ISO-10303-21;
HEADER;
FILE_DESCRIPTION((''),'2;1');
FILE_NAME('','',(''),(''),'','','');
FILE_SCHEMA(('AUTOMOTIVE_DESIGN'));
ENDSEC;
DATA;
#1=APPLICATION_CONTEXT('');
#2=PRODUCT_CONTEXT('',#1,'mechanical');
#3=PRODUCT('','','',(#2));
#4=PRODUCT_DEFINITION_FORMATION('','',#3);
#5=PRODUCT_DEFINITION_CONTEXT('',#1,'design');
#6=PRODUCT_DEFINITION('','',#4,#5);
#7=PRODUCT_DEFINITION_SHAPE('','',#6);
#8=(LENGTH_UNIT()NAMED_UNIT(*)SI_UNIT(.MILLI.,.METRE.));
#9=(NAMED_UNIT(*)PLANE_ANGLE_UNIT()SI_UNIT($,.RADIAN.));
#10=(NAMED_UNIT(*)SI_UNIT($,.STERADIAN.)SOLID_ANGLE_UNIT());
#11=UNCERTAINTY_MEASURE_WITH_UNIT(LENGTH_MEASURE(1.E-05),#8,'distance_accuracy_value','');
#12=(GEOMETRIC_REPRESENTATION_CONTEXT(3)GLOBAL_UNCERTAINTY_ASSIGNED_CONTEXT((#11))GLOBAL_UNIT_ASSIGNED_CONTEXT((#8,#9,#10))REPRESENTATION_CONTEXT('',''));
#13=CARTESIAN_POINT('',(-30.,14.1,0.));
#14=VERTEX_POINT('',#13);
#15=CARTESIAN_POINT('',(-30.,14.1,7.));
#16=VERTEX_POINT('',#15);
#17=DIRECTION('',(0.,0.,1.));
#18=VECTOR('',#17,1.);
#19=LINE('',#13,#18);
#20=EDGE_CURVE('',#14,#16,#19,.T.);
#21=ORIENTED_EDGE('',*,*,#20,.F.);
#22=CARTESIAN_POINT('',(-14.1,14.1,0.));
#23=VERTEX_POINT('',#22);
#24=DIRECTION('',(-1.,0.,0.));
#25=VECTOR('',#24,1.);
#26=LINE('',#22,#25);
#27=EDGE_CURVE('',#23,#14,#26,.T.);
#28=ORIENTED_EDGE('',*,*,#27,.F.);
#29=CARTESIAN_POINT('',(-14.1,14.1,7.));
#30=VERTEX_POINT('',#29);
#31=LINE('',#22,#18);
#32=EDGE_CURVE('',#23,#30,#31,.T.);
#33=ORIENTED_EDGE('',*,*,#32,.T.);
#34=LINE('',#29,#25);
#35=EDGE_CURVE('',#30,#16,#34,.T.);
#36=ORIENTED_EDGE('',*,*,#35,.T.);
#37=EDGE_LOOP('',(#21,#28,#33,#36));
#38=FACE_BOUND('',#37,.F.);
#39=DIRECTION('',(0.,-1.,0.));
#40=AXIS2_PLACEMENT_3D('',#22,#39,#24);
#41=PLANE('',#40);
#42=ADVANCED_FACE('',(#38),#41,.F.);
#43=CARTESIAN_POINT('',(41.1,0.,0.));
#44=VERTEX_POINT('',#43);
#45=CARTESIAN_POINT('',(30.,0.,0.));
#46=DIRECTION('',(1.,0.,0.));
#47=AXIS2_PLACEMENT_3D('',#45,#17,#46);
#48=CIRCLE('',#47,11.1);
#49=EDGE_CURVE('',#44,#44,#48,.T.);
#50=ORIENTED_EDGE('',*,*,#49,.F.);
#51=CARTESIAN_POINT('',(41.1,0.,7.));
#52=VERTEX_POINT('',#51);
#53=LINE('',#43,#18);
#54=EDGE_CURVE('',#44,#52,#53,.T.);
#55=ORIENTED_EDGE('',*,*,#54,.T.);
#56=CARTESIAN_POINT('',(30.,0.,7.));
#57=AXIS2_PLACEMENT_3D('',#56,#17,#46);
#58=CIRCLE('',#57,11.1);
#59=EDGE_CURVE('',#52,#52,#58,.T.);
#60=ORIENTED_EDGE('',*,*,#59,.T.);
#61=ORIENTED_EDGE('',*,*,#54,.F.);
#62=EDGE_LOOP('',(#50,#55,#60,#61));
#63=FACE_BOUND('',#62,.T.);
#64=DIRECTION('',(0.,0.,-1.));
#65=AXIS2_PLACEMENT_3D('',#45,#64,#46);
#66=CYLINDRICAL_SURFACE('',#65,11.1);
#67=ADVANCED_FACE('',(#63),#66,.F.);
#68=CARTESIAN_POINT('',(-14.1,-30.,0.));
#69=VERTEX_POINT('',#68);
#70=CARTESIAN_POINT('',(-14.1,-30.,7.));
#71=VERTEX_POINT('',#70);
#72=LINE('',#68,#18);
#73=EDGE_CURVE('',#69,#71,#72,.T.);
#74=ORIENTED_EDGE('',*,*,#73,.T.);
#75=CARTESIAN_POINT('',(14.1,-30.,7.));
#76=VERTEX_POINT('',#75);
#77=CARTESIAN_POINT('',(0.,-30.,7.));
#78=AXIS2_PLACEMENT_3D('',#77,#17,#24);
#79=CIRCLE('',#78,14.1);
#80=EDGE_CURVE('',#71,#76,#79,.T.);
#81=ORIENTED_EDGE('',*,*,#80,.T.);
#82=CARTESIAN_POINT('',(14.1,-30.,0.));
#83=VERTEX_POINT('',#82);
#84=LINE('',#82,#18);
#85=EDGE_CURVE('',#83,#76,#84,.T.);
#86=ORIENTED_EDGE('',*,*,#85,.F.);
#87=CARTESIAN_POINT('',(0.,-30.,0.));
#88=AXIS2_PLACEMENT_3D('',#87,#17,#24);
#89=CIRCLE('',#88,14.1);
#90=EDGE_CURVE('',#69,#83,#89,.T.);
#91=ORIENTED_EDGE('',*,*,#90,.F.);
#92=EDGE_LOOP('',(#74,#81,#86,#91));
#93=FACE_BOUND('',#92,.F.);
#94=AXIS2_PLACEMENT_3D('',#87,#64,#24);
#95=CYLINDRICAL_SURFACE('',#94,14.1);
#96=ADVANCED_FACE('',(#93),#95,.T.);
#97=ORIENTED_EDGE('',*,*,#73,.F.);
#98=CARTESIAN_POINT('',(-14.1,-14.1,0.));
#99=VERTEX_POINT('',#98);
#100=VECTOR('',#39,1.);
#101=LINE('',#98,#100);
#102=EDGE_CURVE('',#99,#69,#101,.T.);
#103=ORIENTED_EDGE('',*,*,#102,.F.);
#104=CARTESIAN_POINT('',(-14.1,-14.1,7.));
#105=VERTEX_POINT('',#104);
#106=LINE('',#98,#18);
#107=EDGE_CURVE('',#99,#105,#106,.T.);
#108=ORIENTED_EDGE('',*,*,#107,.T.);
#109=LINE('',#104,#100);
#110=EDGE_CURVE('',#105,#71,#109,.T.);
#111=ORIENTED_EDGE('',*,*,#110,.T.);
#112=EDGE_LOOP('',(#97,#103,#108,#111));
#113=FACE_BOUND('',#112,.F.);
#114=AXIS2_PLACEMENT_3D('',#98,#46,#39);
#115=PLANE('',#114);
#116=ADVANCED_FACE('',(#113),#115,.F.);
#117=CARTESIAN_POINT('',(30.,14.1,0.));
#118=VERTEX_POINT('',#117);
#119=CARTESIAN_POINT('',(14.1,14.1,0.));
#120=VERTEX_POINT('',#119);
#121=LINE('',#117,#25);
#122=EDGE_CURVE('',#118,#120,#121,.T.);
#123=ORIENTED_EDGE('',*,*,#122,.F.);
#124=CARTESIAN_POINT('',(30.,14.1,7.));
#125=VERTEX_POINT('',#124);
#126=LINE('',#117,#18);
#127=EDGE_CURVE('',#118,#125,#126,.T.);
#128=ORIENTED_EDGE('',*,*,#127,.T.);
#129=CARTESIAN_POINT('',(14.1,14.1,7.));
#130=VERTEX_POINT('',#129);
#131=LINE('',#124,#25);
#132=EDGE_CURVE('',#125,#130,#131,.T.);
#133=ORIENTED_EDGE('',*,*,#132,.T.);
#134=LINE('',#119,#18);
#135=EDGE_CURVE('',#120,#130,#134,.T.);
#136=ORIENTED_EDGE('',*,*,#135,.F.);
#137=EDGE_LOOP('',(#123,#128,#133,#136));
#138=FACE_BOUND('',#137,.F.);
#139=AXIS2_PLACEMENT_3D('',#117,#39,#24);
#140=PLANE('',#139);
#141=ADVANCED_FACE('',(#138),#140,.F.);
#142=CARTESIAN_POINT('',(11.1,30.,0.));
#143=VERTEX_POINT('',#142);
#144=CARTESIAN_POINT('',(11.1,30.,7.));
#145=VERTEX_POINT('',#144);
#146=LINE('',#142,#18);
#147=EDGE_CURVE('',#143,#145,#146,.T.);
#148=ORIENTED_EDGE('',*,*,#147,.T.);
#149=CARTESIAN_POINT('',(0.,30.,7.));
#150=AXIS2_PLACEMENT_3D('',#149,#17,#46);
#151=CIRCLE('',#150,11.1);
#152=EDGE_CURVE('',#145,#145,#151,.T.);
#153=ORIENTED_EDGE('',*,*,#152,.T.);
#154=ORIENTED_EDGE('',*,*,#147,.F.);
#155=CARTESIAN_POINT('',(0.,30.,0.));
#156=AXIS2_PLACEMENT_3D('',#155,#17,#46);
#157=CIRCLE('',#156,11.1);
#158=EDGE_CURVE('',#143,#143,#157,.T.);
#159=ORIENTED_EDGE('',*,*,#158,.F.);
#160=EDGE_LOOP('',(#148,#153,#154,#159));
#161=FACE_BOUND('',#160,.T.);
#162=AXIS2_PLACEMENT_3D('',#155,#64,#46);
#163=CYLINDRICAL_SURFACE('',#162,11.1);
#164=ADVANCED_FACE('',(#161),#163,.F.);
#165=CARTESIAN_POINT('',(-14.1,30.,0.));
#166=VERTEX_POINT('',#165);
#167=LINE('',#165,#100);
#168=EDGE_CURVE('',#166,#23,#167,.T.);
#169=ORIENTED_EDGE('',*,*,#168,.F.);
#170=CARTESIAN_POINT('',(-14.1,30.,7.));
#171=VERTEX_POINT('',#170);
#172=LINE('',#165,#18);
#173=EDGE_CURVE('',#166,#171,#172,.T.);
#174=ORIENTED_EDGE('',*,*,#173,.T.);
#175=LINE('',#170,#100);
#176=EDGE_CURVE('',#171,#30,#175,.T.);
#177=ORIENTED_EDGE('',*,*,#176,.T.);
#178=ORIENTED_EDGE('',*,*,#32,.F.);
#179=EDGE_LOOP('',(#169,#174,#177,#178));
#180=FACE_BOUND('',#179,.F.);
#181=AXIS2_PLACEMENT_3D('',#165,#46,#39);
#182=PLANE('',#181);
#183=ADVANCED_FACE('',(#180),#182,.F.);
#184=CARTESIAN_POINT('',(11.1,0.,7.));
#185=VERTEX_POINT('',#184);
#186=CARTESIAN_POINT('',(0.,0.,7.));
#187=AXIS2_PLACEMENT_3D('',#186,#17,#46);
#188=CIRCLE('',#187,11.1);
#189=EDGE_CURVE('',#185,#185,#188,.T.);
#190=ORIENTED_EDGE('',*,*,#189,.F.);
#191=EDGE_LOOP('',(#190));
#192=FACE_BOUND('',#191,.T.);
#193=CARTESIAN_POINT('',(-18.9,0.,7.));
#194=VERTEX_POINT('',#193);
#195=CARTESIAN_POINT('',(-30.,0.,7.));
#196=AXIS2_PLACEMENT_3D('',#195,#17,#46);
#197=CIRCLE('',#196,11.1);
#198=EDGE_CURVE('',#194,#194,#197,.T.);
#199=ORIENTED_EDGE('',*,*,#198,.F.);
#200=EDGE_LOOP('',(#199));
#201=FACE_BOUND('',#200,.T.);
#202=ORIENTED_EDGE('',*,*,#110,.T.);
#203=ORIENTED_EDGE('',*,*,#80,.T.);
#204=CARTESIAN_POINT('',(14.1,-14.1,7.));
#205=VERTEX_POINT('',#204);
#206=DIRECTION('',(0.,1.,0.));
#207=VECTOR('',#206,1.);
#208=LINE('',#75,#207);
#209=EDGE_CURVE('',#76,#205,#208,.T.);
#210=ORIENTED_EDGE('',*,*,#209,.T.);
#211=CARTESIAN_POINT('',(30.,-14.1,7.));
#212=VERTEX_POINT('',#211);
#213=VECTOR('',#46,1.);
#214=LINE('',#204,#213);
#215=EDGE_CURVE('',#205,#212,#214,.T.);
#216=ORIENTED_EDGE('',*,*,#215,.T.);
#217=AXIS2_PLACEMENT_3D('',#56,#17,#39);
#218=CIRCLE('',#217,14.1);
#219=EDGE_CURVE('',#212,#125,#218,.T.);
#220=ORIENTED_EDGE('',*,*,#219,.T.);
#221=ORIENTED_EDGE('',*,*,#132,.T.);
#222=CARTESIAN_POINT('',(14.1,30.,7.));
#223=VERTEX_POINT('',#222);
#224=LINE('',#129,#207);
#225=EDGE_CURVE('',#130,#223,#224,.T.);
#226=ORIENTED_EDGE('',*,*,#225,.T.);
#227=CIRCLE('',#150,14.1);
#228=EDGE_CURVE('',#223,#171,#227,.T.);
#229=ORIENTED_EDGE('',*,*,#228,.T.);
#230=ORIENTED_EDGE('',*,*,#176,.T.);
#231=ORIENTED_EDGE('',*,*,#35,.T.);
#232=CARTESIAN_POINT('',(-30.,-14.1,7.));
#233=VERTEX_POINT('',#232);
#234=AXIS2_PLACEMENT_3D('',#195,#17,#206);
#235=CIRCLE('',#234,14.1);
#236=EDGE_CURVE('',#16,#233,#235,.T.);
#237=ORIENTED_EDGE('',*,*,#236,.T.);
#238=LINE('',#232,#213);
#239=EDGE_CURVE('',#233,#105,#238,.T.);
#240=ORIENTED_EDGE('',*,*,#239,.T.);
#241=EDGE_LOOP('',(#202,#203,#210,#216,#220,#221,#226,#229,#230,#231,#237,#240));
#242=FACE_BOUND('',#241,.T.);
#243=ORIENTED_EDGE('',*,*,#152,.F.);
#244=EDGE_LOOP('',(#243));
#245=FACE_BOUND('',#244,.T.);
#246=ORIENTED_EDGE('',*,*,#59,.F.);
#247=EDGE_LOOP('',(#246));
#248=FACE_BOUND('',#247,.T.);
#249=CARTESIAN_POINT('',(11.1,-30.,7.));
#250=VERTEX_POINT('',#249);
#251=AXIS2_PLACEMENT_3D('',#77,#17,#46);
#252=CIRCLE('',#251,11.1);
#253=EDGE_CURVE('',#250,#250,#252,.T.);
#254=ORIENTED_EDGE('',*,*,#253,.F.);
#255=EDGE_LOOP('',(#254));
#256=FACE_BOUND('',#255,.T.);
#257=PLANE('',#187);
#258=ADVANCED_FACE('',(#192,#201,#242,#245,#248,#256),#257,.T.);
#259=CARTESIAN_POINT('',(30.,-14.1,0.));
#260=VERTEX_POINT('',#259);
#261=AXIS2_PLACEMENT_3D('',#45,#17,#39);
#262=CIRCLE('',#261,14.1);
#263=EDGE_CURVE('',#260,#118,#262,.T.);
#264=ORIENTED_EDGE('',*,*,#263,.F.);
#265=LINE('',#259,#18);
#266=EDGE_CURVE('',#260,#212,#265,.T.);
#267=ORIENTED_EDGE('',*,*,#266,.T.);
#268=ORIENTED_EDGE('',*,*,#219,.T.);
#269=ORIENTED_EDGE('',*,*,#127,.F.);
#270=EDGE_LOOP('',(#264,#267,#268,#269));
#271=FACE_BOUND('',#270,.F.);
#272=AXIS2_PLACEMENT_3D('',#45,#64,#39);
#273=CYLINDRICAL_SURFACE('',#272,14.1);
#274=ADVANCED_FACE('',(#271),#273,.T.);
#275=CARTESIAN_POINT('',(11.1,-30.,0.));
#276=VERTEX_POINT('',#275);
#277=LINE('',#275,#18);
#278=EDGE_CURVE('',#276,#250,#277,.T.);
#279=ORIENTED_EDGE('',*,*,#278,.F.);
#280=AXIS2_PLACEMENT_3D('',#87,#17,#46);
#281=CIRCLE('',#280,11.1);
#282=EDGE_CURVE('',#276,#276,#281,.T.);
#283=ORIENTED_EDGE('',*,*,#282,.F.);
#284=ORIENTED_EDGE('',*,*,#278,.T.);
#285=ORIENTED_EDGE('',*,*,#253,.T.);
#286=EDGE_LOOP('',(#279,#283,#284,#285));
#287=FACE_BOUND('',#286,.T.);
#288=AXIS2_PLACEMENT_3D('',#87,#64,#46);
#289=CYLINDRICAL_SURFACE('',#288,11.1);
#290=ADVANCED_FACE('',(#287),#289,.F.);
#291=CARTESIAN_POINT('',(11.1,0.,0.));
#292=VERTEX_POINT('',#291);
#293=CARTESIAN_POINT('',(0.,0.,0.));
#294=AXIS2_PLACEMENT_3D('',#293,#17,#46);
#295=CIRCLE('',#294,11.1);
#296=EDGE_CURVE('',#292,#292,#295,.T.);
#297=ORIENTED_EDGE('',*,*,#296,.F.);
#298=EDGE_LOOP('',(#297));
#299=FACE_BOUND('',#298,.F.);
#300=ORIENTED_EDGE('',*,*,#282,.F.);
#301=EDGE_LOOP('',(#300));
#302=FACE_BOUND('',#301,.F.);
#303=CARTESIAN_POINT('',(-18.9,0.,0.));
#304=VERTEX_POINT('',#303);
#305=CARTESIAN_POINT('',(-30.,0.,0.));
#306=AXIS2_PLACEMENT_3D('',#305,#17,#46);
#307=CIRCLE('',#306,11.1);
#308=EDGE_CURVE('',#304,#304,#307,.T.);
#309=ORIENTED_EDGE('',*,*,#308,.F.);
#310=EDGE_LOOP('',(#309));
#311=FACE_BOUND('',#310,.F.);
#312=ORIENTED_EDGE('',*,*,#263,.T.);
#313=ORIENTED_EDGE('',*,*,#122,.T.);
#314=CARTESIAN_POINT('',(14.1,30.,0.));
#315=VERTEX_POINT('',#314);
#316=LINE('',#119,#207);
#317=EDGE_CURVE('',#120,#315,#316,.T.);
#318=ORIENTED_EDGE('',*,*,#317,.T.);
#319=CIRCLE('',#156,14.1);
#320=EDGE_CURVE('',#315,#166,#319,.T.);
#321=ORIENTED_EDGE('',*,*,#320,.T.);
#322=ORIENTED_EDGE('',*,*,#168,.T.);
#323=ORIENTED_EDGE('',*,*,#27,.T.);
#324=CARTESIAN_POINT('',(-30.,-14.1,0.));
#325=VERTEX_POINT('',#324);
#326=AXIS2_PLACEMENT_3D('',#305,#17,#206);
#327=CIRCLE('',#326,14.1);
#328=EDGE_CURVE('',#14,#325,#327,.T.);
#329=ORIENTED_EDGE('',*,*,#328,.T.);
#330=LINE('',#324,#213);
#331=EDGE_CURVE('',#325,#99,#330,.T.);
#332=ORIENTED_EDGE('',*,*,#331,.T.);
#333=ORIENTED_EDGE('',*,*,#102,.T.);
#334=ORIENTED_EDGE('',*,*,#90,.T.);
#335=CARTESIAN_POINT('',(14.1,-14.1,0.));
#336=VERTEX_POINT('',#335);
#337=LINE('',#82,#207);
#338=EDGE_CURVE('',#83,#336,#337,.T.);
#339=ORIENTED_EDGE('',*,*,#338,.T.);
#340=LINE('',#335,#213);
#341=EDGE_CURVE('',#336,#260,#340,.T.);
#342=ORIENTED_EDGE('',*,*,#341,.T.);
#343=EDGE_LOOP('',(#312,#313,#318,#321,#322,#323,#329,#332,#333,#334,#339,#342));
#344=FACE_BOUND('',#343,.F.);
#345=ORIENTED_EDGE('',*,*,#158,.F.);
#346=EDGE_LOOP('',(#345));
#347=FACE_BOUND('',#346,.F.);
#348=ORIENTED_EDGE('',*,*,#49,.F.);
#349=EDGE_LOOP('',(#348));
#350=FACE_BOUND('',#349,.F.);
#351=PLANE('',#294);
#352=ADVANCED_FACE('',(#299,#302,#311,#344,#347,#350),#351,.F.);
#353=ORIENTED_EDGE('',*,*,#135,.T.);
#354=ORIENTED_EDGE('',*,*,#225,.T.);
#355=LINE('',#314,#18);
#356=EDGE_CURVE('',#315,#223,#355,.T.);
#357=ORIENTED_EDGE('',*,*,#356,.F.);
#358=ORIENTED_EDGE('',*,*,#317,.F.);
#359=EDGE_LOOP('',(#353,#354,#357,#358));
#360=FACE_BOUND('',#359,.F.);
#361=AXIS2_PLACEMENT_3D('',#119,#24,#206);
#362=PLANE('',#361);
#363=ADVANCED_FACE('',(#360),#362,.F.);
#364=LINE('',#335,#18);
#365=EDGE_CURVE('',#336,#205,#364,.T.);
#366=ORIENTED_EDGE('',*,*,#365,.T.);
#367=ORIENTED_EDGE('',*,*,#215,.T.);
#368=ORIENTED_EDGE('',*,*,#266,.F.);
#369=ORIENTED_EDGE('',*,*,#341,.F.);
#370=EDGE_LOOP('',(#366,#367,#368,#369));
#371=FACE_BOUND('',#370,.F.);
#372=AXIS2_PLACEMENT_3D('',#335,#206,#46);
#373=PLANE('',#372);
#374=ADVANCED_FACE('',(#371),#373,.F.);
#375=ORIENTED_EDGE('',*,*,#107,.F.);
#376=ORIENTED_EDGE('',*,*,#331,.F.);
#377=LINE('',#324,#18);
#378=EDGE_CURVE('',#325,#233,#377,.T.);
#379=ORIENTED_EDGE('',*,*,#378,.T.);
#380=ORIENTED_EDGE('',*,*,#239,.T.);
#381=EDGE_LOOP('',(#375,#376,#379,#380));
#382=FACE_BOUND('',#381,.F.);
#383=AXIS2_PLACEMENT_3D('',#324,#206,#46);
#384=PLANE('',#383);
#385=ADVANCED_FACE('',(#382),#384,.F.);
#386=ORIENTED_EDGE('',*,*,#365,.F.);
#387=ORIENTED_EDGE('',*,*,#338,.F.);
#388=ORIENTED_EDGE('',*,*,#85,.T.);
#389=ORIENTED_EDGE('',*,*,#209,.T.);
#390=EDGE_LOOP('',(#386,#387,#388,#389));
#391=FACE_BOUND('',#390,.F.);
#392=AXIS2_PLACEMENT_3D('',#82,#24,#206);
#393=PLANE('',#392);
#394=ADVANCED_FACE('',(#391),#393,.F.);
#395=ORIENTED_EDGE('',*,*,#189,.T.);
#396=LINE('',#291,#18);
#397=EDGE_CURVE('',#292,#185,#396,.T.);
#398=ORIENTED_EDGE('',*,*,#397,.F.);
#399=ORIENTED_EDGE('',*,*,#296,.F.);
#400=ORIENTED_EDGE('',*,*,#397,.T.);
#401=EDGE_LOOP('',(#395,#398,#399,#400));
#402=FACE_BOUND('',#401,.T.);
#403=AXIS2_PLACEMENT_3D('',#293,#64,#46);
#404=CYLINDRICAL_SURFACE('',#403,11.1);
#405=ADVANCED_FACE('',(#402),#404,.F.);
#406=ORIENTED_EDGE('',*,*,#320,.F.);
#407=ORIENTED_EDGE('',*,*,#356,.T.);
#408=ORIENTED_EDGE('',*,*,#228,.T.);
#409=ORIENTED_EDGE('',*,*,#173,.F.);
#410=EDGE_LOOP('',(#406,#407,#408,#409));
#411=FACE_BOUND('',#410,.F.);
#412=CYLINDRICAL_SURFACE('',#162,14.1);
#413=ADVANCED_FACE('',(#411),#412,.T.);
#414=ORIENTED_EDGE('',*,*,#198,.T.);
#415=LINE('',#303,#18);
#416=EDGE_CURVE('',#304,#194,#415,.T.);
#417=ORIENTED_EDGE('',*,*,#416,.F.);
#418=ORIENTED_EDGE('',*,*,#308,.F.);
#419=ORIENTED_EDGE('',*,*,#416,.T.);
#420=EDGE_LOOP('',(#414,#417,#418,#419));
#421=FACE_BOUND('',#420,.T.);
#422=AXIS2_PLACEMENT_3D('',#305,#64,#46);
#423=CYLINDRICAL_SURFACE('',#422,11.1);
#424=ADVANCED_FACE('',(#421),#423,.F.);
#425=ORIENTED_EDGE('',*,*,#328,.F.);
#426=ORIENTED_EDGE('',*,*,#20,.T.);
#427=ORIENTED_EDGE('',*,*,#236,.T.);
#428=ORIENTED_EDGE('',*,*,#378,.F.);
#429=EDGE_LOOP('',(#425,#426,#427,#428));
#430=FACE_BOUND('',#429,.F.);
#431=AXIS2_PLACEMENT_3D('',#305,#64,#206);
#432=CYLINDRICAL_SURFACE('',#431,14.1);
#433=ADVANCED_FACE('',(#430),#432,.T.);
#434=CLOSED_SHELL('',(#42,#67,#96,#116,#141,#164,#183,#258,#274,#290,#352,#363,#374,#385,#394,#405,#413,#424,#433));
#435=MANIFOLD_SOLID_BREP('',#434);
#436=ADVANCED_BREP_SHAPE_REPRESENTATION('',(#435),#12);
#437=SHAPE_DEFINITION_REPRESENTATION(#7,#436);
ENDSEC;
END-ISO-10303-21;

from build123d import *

# Parameters (mm, degrees)
F0_R     = 11.1
F1_DEPTH = 7


with BuildPart() as f1:
    # F0 (on Top) → F1 (new body)
    with BuildSketch(Plane.XY):
        with BuildLine():
            Line((14.1, 14.1), (14.1, 30))
            ThreePointArc((14.1, 30), (0, 44.1), (-14.1, 30))
            Line((-14.1, 30), (-14.1, 14.1))
            Line((-14.1, 14.1), (-30, 14.1))
            ThreePointArc((-30, 14.1), (-44.1, 0), (-30, -14.1))
            Line((-30, -14.1), (-14.1, -14.1))
            Line((-14.1, -14.1), (-14.1, -30))
            ThreePointArc((-14.1, -30), (0, -44.1), (14.1, -30))
            Line((14.1, -30), (14.1, -14.1))
            Line((14.1, -14.1), (30, -14.1))
            ThreePointArc((30, -14.1), (44.1, 0), (30, 14.1))
            Line((30, 14.1), (14.1, 14.1))
        make_face()
        with Locations((0, -30)):
            Circle(F0_R, mode=Mode.SUBTRACT)
        with Locations((-30, 0)):
            Circle(F0_R, mode=Mode.SUBTRACT)
        Circle(F0_R, mode=Mode.SUBTRACT)
        with Locations((30, 0)):
            Circle(F0_R, mode=Mode.SUBTRACT)
        with Locations((0, 30)):
            Circle(F0_R, mode=Mode.SUBTRACT)
    extrude(amount=F1_DEPTH)


solid = f1.part
